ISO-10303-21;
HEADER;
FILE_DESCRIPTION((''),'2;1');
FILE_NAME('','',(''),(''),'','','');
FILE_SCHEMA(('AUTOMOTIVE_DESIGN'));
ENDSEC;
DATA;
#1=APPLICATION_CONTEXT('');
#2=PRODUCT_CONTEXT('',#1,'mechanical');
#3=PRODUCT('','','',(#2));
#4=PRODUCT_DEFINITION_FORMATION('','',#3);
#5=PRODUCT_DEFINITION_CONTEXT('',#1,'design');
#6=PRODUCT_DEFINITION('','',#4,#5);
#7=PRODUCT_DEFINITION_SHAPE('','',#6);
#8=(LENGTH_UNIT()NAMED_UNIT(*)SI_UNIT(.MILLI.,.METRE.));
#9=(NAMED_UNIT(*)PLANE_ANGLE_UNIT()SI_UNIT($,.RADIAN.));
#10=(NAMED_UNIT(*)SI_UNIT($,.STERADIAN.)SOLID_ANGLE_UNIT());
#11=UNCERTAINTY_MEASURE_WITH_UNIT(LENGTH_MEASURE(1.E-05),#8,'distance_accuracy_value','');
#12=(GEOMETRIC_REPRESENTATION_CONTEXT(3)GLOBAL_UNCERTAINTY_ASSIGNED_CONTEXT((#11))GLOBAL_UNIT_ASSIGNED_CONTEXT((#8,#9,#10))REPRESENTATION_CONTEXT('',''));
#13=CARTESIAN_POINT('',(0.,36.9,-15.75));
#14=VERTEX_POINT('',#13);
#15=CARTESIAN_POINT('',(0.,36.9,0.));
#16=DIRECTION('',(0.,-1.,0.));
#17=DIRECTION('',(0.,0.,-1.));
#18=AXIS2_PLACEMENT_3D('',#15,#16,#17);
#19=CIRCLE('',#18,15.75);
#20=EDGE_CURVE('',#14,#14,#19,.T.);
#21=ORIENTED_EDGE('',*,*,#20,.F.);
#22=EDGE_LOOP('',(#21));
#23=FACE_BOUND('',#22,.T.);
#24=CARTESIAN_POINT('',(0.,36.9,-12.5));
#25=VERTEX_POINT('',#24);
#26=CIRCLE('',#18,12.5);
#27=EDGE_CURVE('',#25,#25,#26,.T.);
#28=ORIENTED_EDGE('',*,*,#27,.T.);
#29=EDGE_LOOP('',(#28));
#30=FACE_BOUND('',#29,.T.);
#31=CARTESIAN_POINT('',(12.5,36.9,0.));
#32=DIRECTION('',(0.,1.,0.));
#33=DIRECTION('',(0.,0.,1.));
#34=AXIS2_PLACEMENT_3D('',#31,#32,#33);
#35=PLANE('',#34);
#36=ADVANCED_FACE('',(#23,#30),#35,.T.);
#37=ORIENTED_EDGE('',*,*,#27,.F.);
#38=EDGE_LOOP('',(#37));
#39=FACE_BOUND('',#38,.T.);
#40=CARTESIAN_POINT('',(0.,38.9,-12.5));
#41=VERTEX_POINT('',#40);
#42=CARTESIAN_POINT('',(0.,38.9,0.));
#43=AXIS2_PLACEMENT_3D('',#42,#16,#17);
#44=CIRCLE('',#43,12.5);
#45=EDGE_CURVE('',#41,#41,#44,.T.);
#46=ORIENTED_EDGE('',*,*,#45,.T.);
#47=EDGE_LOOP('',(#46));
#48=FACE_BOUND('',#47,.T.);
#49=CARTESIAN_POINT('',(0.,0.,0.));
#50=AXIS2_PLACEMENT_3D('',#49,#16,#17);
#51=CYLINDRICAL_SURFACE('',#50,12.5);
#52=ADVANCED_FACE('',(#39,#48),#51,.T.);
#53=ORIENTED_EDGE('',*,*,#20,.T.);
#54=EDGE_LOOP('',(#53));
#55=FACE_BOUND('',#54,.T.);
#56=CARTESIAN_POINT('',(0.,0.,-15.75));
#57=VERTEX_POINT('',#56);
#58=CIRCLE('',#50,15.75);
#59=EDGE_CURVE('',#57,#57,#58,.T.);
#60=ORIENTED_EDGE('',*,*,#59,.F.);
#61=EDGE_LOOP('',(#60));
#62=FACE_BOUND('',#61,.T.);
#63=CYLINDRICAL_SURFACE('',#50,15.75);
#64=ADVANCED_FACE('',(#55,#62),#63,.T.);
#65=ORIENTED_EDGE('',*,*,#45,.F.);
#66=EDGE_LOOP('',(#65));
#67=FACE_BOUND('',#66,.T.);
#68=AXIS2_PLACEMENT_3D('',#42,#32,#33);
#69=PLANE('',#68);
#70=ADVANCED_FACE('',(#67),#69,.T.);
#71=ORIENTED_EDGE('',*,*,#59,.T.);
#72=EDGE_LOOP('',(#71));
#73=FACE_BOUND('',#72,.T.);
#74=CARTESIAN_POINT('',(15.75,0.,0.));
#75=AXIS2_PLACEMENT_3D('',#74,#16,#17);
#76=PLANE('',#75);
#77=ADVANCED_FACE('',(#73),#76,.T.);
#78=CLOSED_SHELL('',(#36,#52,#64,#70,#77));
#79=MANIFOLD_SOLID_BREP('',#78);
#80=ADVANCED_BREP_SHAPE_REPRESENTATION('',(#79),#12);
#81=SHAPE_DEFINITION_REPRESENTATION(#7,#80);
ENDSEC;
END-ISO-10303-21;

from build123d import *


with BuildPart() as part:
    # Sketch1 → Revolve1 (revolve)
    with BuildSketch(Plane.XY):
        Polygon((0, 38.9), (12.5, 38.9), (12.5, 36.9), (15.75, 36.9), (15.75, 0), (0, 0), align=None)
    revolve(axis=Axis((0, 0, 0), (0, 1, 0)))


solid = part.part
